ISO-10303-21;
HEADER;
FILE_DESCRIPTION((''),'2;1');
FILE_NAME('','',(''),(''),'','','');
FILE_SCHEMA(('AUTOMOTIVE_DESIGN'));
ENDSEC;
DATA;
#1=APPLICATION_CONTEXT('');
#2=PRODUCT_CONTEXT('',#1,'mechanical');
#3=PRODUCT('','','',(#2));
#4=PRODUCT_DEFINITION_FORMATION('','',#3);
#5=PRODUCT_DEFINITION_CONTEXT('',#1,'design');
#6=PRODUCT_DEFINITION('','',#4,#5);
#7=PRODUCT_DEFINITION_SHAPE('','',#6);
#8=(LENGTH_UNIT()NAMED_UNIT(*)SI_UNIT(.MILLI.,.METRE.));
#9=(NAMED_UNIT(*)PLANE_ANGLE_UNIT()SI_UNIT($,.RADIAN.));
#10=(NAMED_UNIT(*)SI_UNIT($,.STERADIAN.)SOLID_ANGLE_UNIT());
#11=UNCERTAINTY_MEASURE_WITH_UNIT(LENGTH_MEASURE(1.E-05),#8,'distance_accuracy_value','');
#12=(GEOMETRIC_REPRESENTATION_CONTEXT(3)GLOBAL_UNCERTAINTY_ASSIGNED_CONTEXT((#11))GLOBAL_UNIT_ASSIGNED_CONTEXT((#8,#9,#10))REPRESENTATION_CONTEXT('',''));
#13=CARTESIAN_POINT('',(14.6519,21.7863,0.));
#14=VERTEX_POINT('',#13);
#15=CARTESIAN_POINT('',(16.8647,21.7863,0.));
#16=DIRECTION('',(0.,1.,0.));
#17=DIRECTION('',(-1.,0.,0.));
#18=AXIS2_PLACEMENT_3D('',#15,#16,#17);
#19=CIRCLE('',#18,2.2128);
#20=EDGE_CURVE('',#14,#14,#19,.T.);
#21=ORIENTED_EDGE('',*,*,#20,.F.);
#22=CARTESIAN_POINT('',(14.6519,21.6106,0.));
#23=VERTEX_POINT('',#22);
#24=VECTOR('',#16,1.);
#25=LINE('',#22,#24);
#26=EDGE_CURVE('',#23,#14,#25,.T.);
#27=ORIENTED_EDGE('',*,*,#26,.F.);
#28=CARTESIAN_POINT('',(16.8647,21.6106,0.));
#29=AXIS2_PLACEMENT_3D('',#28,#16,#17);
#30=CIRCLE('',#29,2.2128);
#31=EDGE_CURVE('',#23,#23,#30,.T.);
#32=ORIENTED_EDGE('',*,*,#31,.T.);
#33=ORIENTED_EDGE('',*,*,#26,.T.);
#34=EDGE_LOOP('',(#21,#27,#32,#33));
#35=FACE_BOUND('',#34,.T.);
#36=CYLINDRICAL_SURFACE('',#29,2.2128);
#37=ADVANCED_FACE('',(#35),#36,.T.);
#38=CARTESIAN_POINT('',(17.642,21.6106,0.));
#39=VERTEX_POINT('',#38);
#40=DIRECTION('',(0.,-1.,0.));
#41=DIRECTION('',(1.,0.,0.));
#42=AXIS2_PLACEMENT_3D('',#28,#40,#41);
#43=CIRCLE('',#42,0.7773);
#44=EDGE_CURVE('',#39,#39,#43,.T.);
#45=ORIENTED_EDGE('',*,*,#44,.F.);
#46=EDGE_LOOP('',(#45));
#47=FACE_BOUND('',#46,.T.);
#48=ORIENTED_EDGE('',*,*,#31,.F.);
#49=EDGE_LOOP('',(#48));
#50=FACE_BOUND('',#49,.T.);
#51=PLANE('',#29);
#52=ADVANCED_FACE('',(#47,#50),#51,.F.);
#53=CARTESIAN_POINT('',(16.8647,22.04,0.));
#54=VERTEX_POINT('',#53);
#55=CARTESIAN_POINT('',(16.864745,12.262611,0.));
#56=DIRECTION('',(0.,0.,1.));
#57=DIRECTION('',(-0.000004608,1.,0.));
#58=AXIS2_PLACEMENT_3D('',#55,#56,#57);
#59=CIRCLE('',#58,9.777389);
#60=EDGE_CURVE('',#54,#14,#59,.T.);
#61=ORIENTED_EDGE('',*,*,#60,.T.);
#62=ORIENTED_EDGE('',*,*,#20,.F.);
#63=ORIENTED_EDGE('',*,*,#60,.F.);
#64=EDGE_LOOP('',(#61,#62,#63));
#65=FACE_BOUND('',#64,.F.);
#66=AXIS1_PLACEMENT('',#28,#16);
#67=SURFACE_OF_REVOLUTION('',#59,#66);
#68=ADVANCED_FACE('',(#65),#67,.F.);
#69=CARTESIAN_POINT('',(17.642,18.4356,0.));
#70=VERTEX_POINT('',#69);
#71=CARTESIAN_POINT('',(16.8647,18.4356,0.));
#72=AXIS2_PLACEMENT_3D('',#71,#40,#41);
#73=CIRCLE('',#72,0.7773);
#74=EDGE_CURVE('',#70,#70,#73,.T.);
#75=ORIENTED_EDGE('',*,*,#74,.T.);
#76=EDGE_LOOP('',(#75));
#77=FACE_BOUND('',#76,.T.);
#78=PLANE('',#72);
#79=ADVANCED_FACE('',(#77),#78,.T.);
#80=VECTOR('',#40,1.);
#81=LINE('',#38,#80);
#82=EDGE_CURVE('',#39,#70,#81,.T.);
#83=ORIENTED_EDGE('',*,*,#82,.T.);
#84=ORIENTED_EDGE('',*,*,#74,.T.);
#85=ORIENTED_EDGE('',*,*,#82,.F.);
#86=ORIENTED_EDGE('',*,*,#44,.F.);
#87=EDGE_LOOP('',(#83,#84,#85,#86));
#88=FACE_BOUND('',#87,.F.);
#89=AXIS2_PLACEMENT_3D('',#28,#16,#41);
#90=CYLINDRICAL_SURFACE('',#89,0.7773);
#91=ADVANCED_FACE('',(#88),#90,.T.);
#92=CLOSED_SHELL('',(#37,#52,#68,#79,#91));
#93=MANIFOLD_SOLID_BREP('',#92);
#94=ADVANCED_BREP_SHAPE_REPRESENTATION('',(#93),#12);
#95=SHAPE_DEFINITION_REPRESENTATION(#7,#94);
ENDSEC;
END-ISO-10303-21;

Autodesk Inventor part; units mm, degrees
ref_plane "YZ Plane" through (0, 0, 0) normal (1, 0, 0) x (0, 1, 0)
ref_plane "XZ Plane" through (0, 0, 0) normal (0, 1, 0) x (-1, 0, 0)
ref_plane "XY Plane" through (0, 0, 0) normal (0, 0, 1) x (1, 0, 0)
sketch "Sketch1" plane through (0, 0, 0) normal (0, 0, 1) x (1, 0, 0)
  line L0 (14.2769, 21.321) -> (14.2769, 22.083) projected
  line L1 (19.431, 22.083) -> (19.431, 21.321) projected
  line L2 (19.0774, 21.7863) -> (19.0774, 21.6106)
  line L3 (16.8647, 21.6106) -> (14.6519, 21.6106)
  line L4 (14.6519, 21.6106) -> (14.6519, 21.7863)
  arc A0 (16.8647, 22.04) -> (14.6519, 21.7863) centre (16.8647, 12.2634) ccw
  line L5 (16.8647, 21.6106) -> (16.8647, 22.04)
revolve "Revolution1" add sketch "Sketch1" angle 360 about axis through (16.8647, 21.6106, 0) along (0, 1, 0)
sketch "Sketch2" plane through (16.8647, 21.6106, 0) normal (0, -1, 0) x (1, 0, 0)
  circle A0 centre (0, 0) radius 2.2127 projected
  circle A1 centre (0, 0) radius 0.7773
extrude "Extrusion1" add sketch "Sketch2" along normal blind 3.175 contours A1
properties part number "BUSS-RIVET"
